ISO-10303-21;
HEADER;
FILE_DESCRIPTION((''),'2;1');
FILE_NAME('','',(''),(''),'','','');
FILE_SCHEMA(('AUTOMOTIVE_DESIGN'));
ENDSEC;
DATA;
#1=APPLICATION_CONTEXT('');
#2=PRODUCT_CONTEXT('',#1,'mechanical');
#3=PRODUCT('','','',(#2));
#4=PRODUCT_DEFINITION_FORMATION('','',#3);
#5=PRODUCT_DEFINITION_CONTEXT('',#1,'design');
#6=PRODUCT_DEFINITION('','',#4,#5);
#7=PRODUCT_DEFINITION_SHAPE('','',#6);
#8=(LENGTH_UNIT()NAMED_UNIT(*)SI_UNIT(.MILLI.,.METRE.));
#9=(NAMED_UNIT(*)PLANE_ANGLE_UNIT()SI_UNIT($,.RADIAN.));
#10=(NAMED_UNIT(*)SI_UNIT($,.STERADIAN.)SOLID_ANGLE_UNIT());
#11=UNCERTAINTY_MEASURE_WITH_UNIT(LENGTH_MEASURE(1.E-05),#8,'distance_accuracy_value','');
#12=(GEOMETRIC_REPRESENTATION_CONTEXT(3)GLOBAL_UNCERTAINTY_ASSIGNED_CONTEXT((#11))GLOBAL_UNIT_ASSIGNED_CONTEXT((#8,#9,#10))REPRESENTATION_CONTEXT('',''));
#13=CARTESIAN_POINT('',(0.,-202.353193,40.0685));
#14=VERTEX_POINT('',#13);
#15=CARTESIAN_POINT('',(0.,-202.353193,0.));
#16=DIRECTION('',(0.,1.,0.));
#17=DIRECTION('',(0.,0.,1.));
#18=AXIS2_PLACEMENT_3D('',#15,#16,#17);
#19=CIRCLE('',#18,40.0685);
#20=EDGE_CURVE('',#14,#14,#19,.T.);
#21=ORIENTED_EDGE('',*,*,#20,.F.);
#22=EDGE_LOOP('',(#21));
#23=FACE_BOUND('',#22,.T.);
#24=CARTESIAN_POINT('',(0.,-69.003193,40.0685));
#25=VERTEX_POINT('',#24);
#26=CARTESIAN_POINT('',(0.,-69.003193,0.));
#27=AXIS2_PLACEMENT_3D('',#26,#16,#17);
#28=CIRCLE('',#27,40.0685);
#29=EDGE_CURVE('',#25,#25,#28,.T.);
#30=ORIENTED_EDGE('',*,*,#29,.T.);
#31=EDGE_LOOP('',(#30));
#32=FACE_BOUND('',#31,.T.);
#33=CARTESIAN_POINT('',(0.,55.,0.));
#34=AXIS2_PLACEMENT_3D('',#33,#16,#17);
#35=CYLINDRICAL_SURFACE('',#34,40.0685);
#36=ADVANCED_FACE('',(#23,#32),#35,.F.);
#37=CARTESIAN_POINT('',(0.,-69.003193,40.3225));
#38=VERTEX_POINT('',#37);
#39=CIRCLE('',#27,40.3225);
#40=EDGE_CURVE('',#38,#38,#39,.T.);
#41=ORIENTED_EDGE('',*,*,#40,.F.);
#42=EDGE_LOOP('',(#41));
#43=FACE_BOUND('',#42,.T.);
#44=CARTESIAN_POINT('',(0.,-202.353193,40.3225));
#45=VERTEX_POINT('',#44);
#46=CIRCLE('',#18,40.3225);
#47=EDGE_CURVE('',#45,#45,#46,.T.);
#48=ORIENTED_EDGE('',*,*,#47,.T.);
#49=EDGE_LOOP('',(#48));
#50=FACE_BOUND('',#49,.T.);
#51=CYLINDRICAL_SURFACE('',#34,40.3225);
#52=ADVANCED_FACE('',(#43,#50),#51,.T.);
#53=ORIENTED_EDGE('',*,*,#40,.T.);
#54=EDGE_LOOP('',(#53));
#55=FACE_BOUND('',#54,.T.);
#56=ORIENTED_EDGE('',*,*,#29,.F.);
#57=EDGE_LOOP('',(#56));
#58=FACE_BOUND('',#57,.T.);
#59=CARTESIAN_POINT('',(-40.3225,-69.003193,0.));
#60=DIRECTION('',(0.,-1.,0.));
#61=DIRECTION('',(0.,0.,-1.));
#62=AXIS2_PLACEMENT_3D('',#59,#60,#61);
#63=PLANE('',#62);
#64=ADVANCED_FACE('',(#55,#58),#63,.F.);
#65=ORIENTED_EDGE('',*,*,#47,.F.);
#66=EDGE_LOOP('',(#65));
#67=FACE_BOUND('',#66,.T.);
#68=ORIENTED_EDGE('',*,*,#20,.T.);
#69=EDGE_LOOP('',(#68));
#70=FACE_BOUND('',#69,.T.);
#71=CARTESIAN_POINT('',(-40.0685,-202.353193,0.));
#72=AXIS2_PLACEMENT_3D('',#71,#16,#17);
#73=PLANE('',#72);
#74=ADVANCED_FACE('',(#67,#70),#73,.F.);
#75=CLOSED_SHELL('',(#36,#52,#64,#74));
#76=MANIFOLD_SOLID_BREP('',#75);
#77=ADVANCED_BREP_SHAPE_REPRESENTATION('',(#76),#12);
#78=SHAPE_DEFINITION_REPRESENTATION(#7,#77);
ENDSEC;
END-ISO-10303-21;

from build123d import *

# Parameters (mm, degrees)
SKETCH1_W = 0.254
SKETCH1_H = 133.35


with BuildPart() as part:
    # Sketch1 → Revolve-Thin1 (revolve)
    with BuildSketch(Plane.XY):
        with Locations((-40.1955, -135.67819341)):
            Rectangle(SKETCH1_W, SKETCH1_H)
    revolve(axis=Axis((0, 55, 0), (0, -1, 0)))


solid = part.part
